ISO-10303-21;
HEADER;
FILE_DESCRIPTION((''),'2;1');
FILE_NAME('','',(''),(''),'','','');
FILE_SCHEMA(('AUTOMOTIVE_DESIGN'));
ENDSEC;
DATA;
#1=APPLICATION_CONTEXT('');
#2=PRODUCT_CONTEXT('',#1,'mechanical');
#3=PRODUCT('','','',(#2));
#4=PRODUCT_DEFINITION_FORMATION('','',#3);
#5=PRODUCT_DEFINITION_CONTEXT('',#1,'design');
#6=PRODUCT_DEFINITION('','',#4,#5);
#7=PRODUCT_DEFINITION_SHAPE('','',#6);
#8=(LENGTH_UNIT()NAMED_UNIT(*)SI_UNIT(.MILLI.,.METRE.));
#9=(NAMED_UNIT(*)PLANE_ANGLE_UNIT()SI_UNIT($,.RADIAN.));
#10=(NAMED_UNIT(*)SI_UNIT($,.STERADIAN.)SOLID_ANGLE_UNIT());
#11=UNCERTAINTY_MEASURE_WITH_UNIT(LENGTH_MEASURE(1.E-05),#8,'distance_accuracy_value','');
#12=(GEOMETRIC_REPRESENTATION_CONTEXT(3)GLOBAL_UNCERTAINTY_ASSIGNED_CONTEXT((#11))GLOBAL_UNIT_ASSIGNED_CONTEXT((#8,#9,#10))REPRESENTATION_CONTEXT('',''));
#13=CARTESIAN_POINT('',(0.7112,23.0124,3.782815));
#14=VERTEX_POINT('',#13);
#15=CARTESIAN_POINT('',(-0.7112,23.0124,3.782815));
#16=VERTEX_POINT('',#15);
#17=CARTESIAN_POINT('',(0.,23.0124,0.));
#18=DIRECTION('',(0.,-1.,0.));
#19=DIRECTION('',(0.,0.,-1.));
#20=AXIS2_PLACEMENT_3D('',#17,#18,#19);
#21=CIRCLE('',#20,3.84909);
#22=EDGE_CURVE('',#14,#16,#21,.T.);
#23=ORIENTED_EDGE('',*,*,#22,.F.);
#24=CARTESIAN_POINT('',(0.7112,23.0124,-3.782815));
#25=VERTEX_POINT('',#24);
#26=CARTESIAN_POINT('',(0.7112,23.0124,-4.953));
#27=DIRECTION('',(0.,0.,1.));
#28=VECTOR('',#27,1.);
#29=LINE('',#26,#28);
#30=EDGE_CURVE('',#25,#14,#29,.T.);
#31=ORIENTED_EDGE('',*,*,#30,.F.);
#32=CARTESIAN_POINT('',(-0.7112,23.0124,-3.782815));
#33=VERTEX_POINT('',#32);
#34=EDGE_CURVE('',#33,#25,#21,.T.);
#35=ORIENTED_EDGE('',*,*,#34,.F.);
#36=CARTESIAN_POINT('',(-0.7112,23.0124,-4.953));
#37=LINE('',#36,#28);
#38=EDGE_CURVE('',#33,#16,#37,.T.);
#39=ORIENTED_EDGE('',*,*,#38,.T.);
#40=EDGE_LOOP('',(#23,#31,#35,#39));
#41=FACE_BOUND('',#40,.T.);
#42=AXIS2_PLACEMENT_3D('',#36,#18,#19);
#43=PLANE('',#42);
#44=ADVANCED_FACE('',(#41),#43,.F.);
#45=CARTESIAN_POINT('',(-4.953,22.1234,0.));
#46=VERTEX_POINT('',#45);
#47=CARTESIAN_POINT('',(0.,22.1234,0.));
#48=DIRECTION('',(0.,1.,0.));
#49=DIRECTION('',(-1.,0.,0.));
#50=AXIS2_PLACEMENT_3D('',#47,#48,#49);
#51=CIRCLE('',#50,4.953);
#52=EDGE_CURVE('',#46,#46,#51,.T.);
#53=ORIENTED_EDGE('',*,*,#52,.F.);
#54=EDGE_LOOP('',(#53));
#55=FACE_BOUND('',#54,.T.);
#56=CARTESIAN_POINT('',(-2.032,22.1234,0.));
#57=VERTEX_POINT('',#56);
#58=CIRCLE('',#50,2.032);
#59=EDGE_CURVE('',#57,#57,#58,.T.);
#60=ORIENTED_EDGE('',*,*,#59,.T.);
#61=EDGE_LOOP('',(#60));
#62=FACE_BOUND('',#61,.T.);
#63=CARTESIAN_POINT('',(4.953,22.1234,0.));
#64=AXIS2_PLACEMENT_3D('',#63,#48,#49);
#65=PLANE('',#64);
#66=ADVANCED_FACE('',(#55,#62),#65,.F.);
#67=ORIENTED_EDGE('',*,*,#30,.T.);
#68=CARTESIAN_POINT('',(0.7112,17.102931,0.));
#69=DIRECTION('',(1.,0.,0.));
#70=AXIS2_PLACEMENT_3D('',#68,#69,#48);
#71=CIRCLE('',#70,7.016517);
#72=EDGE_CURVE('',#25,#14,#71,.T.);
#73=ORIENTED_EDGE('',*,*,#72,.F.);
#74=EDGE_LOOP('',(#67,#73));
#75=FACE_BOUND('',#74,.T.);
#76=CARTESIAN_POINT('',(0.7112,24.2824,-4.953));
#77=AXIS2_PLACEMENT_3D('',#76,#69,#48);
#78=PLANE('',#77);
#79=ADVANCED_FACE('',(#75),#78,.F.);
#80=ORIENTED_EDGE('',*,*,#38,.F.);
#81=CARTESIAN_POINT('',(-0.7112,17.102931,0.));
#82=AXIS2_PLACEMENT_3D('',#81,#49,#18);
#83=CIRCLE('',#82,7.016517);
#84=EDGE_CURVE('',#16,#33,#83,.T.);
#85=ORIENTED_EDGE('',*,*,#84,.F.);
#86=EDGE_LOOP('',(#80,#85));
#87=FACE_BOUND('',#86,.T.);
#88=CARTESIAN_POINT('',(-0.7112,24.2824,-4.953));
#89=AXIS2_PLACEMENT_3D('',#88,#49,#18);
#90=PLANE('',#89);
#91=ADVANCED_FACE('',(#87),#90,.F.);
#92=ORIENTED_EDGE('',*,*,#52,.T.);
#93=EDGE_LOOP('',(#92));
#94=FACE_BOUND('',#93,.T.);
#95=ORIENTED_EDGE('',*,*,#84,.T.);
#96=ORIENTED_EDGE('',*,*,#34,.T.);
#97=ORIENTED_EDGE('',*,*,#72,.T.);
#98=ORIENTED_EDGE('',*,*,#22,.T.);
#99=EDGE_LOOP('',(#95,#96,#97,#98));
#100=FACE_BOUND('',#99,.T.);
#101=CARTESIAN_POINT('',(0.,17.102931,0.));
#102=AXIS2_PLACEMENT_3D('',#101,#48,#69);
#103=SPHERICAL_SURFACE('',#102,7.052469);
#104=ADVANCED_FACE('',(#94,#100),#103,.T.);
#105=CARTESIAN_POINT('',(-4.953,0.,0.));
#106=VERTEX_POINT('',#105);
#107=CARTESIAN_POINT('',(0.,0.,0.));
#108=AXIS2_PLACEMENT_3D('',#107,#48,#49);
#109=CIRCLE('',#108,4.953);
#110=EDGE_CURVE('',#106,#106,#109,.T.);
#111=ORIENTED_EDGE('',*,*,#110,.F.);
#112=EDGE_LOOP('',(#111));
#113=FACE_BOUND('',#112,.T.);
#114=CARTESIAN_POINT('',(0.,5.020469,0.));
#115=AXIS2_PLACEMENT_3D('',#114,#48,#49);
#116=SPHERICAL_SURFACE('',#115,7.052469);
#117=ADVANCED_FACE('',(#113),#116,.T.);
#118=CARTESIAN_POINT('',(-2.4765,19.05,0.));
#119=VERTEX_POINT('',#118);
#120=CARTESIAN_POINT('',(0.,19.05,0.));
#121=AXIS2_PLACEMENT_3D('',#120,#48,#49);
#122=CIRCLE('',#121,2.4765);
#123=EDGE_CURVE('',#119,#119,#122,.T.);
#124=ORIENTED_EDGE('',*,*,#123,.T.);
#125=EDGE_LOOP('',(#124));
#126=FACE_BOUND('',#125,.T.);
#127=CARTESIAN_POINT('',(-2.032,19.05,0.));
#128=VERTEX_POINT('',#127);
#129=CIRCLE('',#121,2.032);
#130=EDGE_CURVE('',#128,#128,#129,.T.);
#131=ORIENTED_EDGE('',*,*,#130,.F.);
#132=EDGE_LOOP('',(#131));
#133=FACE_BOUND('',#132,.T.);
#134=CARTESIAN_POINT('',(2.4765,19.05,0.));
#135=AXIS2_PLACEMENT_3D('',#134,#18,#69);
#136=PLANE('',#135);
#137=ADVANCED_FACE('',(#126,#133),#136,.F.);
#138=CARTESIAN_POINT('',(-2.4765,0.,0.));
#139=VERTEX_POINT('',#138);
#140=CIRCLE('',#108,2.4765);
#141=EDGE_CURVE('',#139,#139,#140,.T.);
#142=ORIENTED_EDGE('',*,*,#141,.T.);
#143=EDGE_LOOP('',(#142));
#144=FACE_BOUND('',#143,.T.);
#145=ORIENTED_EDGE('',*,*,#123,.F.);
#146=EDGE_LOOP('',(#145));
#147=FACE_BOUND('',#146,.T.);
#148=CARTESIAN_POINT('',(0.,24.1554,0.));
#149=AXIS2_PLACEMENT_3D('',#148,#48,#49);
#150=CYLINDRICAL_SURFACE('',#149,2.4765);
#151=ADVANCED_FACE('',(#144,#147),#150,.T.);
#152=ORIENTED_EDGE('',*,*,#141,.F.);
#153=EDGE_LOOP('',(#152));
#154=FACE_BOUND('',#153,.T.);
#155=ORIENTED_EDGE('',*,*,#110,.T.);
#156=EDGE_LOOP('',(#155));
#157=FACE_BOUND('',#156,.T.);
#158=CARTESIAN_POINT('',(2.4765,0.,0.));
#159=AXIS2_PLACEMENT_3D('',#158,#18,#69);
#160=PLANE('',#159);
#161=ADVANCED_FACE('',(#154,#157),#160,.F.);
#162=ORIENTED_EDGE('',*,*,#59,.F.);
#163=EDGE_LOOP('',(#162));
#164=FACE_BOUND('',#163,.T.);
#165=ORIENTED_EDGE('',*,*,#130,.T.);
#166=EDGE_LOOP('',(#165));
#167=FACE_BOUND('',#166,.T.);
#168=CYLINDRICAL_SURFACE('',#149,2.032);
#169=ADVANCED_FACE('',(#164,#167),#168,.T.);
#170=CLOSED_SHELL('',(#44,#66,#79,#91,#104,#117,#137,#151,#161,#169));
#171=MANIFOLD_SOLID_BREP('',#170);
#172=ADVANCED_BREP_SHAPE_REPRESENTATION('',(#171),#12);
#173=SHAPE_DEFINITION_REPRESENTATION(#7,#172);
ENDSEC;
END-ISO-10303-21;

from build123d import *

# Parameters (mm, degrees)
SKETCH2_W               = 1.4224
SKETCH2_H               = 1.27
CUT_EXTRUDE1_DEPTH      = 5.953
CUT_EXTRUDE1_DEPTH_BACK = 5.953


with BuildPart() as part:
    # Sketch1 → Revolve1 (revolve)
    with BuildSketch(Plane.XY):
        with BuildLine():
            Line((4.953, 22.1234), (2.032, 22.1234))
            Line((2.032, 22.1234), (2.032, 19.05))
            Line((2.032, 19.05), (2.4765, 19.05))
            Line((2.4765, 19.05), (2.4765, 0))
            Line((2.4765, 0), (4.953, 0))
            ThreePointArc((4.953, 0), (2.676809341, -1.50425402), (0, -2.032))
            Line((0, -2.032), (0, 24.1554))
            ThreePointArc((0, 24.1554), (2.676809341, 23.62765402), (4.953, 22.1234))
        make_face()
    revolve(axis=Axis((0, 24.1554, 0), (0, -1, 0)))

    # Sketch2 → Cut-Extrude1 (cut, two sides)
    with BuildSketch(Plane.XY) as cut_extrude1_sk:
        with Locations((0, 23.6474)):
            Rectangle(SKETCH2_W, SKETCH2_H)
    extrude(amount=CUT_EXTRUDE1_DEPTH, mode=Mode.SUBTRACT)
    extrude(cut_extrude1_sk.sketch, amount=-CUT_EXTRUDE1_DEPTH_BACK, mode=Mode.SUBTRACT)


solid = part.part
